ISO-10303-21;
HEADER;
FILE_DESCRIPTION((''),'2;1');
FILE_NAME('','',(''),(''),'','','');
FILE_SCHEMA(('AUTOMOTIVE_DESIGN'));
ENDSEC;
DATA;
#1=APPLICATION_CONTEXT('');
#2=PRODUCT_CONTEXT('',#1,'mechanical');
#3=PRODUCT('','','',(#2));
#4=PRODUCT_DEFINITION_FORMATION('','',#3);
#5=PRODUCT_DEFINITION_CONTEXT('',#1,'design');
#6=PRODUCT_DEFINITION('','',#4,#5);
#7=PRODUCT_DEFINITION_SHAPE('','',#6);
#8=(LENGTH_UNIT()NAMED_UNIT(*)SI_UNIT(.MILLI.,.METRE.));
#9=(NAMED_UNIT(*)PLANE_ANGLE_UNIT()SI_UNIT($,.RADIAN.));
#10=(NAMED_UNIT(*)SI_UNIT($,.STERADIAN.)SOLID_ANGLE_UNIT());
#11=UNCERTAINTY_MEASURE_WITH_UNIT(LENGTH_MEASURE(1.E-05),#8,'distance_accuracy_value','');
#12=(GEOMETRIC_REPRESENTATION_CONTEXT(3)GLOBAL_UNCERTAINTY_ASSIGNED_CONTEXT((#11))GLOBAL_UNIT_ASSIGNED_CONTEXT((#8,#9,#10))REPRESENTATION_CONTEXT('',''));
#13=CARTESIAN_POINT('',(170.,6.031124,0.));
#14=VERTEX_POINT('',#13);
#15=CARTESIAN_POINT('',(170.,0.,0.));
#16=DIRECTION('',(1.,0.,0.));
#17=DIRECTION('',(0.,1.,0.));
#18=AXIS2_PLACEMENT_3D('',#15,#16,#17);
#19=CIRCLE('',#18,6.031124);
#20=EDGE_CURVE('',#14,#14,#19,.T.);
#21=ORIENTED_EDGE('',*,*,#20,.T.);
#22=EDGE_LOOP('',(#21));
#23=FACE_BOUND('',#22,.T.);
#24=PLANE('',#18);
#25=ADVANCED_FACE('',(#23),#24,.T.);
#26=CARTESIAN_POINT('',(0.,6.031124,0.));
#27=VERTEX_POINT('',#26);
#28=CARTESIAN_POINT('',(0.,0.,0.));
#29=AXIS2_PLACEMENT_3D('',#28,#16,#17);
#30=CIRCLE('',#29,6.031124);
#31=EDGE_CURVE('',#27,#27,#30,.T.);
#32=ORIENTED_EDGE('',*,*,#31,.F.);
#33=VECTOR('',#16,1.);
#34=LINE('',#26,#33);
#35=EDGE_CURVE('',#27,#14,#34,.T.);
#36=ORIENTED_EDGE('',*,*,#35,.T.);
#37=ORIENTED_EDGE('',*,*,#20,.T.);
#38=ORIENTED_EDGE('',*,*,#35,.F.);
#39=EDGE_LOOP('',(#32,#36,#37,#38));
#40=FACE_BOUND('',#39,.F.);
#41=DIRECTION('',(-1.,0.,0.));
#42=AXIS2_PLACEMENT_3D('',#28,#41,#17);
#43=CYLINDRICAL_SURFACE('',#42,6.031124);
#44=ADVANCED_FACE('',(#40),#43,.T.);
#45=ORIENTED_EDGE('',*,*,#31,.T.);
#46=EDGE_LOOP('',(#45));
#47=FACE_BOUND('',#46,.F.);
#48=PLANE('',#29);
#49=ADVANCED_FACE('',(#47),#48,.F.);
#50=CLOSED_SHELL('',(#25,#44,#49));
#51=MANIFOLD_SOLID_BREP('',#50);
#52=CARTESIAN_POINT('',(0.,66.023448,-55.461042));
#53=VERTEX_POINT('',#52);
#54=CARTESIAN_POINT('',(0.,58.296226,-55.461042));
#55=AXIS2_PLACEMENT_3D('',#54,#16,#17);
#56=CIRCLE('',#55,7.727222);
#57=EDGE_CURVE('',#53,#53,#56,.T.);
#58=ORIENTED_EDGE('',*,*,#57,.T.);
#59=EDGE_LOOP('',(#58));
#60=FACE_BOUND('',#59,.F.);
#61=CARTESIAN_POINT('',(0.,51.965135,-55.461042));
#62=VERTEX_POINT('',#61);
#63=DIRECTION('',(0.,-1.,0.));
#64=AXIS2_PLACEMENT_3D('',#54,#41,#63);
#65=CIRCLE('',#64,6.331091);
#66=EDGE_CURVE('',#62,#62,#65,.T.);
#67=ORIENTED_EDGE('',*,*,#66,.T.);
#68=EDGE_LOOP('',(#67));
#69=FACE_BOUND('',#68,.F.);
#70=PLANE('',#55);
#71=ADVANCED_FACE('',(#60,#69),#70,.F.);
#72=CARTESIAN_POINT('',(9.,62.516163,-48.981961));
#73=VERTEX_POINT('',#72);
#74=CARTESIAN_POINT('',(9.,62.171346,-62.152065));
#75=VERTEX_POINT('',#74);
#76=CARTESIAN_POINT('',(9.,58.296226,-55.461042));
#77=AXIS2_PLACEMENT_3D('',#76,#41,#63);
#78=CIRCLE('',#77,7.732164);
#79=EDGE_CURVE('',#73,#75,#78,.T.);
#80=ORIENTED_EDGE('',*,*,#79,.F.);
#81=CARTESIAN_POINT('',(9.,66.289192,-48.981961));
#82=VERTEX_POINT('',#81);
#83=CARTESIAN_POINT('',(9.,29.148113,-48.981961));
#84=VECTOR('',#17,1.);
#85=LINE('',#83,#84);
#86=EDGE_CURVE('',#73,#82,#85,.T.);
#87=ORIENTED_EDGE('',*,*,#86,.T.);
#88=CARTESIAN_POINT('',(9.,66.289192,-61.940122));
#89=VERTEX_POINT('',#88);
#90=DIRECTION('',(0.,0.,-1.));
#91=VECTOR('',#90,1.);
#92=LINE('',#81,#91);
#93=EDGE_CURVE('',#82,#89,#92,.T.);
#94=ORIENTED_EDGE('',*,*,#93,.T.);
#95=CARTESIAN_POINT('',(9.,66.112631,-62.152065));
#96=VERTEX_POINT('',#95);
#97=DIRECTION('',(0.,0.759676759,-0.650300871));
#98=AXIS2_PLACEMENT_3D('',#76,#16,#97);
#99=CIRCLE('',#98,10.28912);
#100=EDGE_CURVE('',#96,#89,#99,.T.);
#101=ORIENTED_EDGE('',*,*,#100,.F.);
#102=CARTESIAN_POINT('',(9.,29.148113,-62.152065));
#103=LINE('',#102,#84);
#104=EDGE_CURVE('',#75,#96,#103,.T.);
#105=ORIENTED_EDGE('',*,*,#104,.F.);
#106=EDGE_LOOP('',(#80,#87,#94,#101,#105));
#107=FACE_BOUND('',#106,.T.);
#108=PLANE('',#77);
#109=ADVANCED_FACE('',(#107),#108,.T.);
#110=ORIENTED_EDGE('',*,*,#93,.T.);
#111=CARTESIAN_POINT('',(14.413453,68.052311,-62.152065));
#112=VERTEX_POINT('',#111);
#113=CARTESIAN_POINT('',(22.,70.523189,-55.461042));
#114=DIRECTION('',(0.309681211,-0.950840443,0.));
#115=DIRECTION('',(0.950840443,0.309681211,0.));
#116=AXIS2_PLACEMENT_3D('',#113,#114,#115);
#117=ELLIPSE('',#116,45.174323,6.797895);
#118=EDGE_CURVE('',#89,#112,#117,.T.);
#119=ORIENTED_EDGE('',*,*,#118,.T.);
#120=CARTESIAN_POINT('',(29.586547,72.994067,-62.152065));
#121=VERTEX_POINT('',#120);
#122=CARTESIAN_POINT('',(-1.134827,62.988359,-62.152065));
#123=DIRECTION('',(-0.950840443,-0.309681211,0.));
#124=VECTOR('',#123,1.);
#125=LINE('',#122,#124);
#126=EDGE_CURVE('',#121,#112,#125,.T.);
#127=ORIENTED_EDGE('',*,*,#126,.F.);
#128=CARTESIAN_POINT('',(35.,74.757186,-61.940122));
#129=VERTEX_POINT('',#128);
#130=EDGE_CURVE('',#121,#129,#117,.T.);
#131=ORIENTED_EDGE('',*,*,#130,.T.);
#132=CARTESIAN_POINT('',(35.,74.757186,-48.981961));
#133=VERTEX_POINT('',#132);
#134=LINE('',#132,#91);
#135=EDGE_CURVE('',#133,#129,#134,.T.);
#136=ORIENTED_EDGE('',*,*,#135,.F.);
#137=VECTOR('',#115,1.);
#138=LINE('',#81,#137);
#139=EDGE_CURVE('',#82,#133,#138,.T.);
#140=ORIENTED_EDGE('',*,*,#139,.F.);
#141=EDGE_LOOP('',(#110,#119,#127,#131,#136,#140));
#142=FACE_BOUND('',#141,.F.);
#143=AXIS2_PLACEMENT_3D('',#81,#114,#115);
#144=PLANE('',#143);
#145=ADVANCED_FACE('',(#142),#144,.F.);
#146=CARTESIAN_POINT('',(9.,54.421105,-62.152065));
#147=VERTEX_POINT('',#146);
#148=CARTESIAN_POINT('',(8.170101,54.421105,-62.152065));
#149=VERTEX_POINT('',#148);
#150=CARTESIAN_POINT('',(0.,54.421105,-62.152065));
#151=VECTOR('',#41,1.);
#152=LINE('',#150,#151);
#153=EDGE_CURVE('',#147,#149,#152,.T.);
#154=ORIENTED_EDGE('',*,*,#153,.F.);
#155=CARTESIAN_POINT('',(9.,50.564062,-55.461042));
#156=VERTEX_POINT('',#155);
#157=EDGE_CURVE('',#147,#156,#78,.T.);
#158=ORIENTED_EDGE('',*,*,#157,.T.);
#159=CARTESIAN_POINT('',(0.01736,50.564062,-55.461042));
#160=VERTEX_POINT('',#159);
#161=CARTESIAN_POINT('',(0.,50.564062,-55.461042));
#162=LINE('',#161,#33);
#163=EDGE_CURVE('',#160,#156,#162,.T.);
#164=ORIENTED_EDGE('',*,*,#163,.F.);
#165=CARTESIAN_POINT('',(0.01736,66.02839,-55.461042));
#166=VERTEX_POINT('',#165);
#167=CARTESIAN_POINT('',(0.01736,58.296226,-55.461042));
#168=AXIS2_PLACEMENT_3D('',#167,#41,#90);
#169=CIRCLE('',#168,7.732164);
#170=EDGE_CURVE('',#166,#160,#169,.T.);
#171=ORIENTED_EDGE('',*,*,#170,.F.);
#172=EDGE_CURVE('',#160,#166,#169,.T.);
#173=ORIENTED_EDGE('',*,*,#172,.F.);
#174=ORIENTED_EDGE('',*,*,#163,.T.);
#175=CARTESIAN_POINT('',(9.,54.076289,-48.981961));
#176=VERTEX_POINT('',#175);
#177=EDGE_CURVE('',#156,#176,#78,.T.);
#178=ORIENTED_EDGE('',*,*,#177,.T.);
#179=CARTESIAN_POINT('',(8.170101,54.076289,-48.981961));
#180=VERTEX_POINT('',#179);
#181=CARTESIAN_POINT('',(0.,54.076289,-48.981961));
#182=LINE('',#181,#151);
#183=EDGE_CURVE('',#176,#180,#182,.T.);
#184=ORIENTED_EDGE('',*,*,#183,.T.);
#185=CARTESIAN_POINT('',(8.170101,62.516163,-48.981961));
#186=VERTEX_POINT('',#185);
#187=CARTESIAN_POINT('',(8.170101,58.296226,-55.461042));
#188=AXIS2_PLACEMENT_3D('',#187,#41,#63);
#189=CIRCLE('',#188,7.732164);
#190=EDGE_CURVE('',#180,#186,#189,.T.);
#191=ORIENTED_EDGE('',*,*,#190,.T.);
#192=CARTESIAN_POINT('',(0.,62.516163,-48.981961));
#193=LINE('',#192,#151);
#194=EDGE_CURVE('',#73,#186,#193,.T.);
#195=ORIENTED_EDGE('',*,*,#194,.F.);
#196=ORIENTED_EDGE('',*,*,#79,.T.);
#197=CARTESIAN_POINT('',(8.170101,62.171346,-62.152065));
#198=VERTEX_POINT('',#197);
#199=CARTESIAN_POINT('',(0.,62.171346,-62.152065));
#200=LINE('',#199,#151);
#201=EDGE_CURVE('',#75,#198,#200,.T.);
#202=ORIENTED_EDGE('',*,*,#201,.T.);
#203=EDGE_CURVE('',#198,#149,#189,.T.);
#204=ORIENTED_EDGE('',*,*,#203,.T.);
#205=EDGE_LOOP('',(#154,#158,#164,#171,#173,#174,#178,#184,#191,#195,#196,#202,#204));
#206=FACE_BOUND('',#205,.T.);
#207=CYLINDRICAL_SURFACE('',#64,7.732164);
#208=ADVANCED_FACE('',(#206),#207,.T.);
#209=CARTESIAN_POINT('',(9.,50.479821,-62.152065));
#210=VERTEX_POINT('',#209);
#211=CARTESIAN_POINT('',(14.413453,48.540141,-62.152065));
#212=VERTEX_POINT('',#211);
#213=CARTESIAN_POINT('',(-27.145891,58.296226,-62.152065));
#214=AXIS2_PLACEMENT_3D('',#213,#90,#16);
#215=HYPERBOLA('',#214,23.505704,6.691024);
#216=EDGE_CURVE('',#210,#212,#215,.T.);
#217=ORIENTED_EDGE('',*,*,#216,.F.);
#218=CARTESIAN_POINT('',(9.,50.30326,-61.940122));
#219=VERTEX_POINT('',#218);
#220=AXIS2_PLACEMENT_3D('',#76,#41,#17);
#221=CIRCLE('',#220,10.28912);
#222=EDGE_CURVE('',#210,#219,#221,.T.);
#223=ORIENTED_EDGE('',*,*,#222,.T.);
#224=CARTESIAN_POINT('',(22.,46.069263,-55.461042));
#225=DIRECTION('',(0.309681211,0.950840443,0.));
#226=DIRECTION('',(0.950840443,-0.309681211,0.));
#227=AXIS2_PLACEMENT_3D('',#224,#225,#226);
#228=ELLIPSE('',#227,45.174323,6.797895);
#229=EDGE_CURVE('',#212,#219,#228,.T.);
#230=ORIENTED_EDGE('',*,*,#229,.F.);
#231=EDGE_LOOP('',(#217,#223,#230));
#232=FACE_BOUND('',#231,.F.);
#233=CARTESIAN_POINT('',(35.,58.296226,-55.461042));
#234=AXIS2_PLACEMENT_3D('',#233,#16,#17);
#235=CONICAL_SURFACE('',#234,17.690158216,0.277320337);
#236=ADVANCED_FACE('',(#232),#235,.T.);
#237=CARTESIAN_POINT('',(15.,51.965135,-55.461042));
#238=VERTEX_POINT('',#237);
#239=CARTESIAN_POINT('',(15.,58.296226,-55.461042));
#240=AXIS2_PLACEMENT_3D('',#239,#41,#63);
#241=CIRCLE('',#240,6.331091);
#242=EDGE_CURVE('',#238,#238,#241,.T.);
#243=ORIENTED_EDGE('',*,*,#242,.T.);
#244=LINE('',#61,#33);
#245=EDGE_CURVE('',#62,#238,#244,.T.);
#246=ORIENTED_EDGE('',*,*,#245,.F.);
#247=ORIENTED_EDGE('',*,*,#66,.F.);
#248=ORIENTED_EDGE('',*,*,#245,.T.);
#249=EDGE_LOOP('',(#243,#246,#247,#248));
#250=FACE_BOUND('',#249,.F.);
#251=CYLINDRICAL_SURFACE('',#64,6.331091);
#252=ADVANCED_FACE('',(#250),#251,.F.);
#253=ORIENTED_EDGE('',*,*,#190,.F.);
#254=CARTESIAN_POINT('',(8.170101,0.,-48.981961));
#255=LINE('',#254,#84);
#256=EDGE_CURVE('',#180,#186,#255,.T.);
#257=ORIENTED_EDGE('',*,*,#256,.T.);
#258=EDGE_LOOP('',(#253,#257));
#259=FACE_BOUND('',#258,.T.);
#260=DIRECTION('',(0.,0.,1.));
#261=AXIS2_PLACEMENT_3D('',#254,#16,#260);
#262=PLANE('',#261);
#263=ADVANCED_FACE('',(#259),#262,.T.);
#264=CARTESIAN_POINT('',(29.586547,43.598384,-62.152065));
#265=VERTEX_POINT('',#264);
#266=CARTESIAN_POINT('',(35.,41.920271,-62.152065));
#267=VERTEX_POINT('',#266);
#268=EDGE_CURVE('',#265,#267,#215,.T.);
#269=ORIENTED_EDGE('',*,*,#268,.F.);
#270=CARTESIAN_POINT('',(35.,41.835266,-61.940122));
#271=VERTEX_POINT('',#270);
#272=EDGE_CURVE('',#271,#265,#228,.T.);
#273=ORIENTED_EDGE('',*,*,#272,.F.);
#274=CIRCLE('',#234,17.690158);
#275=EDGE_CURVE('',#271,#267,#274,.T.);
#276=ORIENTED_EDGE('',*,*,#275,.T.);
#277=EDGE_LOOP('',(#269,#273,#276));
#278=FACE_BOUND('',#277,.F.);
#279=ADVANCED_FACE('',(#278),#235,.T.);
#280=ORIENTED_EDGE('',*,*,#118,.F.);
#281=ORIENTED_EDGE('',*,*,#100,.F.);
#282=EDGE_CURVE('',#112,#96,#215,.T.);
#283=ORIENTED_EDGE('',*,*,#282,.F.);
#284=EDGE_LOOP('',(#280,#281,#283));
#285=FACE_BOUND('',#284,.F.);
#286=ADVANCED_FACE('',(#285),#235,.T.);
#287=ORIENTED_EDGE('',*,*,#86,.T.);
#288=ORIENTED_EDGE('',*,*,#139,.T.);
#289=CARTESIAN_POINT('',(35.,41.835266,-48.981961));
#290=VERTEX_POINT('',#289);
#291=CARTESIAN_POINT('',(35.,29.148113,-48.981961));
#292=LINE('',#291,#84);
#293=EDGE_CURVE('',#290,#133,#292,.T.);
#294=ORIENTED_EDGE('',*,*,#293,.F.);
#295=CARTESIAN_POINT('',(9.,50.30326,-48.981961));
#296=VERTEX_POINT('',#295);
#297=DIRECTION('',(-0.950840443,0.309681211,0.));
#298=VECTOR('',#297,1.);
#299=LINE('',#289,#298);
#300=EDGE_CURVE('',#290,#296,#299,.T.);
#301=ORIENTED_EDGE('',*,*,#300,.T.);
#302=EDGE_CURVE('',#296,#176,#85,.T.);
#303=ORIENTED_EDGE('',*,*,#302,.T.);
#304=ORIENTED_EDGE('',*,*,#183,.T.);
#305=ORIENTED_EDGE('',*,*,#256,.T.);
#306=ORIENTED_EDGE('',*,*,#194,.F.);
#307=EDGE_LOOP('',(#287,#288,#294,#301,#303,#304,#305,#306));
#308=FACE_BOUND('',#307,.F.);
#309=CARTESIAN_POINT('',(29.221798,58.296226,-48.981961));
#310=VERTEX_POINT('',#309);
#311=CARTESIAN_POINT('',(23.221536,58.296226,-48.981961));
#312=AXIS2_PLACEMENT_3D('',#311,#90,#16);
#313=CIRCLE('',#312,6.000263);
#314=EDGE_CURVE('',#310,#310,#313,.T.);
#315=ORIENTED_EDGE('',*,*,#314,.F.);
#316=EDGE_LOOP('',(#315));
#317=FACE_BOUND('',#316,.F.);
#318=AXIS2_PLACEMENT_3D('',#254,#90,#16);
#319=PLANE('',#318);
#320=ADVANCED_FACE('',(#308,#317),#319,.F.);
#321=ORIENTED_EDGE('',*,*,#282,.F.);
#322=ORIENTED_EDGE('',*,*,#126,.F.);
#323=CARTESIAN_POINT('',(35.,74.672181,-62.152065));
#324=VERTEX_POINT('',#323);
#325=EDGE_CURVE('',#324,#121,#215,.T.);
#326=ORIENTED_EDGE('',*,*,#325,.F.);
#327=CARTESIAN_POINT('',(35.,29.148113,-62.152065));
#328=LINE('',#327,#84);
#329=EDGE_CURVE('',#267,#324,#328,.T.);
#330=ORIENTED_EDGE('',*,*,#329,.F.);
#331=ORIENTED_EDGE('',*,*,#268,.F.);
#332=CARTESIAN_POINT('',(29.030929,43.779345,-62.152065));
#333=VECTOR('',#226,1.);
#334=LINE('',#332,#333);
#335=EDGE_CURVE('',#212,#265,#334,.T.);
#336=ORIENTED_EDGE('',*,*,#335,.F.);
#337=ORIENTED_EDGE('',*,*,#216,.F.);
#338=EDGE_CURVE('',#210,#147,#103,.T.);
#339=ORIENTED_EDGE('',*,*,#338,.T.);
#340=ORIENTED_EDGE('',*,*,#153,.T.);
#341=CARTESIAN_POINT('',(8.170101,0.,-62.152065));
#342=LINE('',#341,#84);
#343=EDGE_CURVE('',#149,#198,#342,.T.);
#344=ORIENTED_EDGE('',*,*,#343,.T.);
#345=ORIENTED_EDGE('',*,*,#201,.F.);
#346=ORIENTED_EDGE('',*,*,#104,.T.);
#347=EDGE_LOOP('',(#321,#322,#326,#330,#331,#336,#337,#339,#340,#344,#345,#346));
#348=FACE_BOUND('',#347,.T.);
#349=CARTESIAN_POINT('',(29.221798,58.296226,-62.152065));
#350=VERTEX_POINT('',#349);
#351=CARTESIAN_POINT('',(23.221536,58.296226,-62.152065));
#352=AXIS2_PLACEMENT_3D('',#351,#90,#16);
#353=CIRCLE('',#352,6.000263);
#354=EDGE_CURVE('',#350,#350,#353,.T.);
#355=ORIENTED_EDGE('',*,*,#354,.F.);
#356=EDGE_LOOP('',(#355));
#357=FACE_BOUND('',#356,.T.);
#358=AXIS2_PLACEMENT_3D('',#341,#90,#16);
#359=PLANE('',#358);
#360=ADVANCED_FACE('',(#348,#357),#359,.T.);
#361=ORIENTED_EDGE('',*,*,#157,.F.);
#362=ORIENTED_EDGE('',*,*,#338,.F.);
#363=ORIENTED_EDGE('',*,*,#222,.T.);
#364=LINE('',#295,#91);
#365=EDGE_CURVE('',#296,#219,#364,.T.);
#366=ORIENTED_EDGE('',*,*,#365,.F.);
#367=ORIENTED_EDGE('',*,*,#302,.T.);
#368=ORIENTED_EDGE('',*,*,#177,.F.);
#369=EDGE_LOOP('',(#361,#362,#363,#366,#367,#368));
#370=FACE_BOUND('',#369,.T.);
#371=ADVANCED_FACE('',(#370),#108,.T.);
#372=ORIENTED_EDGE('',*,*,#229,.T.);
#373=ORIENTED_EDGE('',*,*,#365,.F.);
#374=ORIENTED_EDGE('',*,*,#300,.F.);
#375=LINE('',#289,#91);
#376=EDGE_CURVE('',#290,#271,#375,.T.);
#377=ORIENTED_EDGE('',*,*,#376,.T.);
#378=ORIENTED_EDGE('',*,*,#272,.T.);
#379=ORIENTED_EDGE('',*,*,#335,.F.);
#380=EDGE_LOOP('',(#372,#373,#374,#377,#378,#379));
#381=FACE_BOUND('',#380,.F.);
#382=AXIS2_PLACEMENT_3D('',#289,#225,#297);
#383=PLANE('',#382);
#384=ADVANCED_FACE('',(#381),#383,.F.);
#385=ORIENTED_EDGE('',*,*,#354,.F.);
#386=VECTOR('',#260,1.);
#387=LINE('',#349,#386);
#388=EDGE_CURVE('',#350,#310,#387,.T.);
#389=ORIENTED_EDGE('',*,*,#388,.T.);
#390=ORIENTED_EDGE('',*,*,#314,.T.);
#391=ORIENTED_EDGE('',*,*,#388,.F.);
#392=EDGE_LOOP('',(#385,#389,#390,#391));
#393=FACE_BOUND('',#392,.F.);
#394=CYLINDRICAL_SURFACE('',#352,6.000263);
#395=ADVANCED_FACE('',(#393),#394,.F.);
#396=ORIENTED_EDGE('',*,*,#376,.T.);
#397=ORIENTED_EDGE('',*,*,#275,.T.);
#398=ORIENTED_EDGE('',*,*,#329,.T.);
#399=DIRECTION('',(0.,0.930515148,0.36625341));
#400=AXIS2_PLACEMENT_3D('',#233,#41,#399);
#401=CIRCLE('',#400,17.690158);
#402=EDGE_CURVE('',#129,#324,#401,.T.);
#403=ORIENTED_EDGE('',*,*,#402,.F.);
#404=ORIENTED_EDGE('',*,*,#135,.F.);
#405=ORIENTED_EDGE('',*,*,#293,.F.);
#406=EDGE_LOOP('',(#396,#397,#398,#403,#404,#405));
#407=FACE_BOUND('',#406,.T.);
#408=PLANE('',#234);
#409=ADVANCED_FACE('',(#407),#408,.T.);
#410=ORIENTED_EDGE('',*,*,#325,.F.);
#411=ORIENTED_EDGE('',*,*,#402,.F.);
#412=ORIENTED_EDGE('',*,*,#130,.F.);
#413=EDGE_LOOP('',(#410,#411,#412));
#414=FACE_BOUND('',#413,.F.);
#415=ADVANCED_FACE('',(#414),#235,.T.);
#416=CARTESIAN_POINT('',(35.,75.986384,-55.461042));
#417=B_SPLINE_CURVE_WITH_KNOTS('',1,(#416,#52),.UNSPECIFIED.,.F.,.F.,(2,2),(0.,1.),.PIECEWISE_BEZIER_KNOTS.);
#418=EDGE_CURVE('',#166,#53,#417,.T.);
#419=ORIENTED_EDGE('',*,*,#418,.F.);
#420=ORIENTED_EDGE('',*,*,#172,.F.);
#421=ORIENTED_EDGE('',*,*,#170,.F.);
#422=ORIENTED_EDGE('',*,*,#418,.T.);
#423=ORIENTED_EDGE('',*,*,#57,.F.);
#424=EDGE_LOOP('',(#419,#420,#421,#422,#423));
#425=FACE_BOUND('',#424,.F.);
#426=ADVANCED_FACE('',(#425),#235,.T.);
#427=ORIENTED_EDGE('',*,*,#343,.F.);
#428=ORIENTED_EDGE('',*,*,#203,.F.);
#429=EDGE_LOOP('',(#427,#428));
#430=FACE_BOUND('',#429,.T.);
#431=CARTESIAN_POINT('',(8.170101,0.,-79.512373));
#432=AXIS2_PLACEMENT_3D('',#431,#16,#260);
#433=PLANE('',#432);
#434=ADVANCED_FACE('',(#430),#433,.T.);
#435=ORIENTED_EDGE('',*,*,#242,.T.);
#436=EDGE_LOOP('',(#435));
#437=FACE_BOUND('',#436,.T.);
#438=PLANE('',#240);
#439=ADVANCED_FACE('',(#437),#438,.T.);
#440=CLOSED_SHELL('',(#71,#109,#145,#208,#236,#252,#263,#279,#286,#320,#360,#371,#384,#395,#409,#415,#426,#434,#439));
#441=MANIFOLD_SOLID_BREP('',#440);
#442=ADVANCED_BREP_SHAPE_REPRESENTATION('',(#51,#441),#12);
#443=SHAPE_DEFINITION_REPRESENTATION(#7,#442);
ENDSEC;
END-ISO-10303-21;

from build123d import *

# Parameters (mm, degrees)
F0_R      = 6.0311238877
F1_DEPTH  = 170
F4_R      = 17.6901582165
F2_R      = 7.7272221814
F6_W      = 26.8814461306
F6_H      = 17.3603072762
F6_H_2    = 16.4670161903
F7_DEPTH  = 100
F8_R      = 11.5624340414
F8_R_2    = 7.7321638207
F9_DEPTH  = 9
F11_DEPTH = 25
F12_R     = 6.0002626076
F13_DEPTH = 25
F14_R     = 6.3310913438
F15_DEPTH = 15


with BuildPart() as f1:
    # F0 (on Right) → F1 (new body)
    with BuildSketch(Plane.YZ):
        Circle(F0_R)
    extrude(amount=F1_DEPTH)


with BuildPart() as f5:
    # F4 (on offset) → F5 section 0
    with BuildSketch(Plane.YZ.offset(35)):
        with Locations((58.296225965, -55.4610416293)):
            Circle(F4_R)
    # F2 (on Right) → F5 section 1
    with BuildSketch(Plane.YZ):
        with Locations((58.296225965, -55.4610416293)):
            Circle(F2_R)
    loft()

    # F6 (on Front) → F7 (cut)
    with BuildSketch(Plane.XZ):
        with Locations((21.6108239256, -70.8322189748)):
            Rectangle(F6_W, F6_H)
        with Locations((21.6108239256, -40.7484527677)):
            Rectangle(F6_W, F6_H_2)
    extrude(amount=-F7_DEPTH, mode=Mode.SUBTRACT)

    # F8 (on face) → F9 (cut)
    with BuildSketch(Plane(origin=(0, 0, 0), x_dir=(0, -1, 0), z_dir=(-1, 0, 0))):
        with Locations((-58.296225965, -55.4610416293)):
            Circle(F8_R)
        with Locations((-58.296225965, -55.4610416293)):
            Circle(F8_R_2, mode=Mode.SUBTRACT)
    extrude(amount=-F9_DEPTH, mode=Mode.SUBTRACT)

    # F10 (on face) → F11 (cut)
    with BuildSketch(Plane.XY.offset(-48.9819608629)):
        Polygon((9, 69.8061585426), (9, 66.2891918217), (35, 74.757186148), (35, 77.7765586972), align=None)
        Polygon((35, 41.835265782), (9, 50.3032601083), (9, 46.1107976735), (35, 38.4149104357), align=None)
    extrude(amount=-F11_DEPTH, mode=Mode.SUBTRACT)

    # F12 (on face) → F13 (cut)
    with BuildSketch(Plane(origin=(0, 0, -62.1520653367), x_dir=(1, 0, 0), z_dir=(0, 0, -1))):
        with Locations((23.2215356082, -58.296225965)):
            Circle(F12_R)
    extrude(amount=-F13_DEPTH, mode=Mode.SUBTRACT)

    # F14 (on face) → F15 (cut)
    with BuildSketch(Plane(origin=(0, 0, 0), x_dir=(0, -1, 0), z_dir=(-1, 0, 0))):
        with Locations((-58.296225965, -55.4610416293)):
            Circle(F14_R)
    extrude(amount=-F15_DEPTH, mode=Mode.SUBTRACT)


solid = Compound([f1.part, f5.part])
